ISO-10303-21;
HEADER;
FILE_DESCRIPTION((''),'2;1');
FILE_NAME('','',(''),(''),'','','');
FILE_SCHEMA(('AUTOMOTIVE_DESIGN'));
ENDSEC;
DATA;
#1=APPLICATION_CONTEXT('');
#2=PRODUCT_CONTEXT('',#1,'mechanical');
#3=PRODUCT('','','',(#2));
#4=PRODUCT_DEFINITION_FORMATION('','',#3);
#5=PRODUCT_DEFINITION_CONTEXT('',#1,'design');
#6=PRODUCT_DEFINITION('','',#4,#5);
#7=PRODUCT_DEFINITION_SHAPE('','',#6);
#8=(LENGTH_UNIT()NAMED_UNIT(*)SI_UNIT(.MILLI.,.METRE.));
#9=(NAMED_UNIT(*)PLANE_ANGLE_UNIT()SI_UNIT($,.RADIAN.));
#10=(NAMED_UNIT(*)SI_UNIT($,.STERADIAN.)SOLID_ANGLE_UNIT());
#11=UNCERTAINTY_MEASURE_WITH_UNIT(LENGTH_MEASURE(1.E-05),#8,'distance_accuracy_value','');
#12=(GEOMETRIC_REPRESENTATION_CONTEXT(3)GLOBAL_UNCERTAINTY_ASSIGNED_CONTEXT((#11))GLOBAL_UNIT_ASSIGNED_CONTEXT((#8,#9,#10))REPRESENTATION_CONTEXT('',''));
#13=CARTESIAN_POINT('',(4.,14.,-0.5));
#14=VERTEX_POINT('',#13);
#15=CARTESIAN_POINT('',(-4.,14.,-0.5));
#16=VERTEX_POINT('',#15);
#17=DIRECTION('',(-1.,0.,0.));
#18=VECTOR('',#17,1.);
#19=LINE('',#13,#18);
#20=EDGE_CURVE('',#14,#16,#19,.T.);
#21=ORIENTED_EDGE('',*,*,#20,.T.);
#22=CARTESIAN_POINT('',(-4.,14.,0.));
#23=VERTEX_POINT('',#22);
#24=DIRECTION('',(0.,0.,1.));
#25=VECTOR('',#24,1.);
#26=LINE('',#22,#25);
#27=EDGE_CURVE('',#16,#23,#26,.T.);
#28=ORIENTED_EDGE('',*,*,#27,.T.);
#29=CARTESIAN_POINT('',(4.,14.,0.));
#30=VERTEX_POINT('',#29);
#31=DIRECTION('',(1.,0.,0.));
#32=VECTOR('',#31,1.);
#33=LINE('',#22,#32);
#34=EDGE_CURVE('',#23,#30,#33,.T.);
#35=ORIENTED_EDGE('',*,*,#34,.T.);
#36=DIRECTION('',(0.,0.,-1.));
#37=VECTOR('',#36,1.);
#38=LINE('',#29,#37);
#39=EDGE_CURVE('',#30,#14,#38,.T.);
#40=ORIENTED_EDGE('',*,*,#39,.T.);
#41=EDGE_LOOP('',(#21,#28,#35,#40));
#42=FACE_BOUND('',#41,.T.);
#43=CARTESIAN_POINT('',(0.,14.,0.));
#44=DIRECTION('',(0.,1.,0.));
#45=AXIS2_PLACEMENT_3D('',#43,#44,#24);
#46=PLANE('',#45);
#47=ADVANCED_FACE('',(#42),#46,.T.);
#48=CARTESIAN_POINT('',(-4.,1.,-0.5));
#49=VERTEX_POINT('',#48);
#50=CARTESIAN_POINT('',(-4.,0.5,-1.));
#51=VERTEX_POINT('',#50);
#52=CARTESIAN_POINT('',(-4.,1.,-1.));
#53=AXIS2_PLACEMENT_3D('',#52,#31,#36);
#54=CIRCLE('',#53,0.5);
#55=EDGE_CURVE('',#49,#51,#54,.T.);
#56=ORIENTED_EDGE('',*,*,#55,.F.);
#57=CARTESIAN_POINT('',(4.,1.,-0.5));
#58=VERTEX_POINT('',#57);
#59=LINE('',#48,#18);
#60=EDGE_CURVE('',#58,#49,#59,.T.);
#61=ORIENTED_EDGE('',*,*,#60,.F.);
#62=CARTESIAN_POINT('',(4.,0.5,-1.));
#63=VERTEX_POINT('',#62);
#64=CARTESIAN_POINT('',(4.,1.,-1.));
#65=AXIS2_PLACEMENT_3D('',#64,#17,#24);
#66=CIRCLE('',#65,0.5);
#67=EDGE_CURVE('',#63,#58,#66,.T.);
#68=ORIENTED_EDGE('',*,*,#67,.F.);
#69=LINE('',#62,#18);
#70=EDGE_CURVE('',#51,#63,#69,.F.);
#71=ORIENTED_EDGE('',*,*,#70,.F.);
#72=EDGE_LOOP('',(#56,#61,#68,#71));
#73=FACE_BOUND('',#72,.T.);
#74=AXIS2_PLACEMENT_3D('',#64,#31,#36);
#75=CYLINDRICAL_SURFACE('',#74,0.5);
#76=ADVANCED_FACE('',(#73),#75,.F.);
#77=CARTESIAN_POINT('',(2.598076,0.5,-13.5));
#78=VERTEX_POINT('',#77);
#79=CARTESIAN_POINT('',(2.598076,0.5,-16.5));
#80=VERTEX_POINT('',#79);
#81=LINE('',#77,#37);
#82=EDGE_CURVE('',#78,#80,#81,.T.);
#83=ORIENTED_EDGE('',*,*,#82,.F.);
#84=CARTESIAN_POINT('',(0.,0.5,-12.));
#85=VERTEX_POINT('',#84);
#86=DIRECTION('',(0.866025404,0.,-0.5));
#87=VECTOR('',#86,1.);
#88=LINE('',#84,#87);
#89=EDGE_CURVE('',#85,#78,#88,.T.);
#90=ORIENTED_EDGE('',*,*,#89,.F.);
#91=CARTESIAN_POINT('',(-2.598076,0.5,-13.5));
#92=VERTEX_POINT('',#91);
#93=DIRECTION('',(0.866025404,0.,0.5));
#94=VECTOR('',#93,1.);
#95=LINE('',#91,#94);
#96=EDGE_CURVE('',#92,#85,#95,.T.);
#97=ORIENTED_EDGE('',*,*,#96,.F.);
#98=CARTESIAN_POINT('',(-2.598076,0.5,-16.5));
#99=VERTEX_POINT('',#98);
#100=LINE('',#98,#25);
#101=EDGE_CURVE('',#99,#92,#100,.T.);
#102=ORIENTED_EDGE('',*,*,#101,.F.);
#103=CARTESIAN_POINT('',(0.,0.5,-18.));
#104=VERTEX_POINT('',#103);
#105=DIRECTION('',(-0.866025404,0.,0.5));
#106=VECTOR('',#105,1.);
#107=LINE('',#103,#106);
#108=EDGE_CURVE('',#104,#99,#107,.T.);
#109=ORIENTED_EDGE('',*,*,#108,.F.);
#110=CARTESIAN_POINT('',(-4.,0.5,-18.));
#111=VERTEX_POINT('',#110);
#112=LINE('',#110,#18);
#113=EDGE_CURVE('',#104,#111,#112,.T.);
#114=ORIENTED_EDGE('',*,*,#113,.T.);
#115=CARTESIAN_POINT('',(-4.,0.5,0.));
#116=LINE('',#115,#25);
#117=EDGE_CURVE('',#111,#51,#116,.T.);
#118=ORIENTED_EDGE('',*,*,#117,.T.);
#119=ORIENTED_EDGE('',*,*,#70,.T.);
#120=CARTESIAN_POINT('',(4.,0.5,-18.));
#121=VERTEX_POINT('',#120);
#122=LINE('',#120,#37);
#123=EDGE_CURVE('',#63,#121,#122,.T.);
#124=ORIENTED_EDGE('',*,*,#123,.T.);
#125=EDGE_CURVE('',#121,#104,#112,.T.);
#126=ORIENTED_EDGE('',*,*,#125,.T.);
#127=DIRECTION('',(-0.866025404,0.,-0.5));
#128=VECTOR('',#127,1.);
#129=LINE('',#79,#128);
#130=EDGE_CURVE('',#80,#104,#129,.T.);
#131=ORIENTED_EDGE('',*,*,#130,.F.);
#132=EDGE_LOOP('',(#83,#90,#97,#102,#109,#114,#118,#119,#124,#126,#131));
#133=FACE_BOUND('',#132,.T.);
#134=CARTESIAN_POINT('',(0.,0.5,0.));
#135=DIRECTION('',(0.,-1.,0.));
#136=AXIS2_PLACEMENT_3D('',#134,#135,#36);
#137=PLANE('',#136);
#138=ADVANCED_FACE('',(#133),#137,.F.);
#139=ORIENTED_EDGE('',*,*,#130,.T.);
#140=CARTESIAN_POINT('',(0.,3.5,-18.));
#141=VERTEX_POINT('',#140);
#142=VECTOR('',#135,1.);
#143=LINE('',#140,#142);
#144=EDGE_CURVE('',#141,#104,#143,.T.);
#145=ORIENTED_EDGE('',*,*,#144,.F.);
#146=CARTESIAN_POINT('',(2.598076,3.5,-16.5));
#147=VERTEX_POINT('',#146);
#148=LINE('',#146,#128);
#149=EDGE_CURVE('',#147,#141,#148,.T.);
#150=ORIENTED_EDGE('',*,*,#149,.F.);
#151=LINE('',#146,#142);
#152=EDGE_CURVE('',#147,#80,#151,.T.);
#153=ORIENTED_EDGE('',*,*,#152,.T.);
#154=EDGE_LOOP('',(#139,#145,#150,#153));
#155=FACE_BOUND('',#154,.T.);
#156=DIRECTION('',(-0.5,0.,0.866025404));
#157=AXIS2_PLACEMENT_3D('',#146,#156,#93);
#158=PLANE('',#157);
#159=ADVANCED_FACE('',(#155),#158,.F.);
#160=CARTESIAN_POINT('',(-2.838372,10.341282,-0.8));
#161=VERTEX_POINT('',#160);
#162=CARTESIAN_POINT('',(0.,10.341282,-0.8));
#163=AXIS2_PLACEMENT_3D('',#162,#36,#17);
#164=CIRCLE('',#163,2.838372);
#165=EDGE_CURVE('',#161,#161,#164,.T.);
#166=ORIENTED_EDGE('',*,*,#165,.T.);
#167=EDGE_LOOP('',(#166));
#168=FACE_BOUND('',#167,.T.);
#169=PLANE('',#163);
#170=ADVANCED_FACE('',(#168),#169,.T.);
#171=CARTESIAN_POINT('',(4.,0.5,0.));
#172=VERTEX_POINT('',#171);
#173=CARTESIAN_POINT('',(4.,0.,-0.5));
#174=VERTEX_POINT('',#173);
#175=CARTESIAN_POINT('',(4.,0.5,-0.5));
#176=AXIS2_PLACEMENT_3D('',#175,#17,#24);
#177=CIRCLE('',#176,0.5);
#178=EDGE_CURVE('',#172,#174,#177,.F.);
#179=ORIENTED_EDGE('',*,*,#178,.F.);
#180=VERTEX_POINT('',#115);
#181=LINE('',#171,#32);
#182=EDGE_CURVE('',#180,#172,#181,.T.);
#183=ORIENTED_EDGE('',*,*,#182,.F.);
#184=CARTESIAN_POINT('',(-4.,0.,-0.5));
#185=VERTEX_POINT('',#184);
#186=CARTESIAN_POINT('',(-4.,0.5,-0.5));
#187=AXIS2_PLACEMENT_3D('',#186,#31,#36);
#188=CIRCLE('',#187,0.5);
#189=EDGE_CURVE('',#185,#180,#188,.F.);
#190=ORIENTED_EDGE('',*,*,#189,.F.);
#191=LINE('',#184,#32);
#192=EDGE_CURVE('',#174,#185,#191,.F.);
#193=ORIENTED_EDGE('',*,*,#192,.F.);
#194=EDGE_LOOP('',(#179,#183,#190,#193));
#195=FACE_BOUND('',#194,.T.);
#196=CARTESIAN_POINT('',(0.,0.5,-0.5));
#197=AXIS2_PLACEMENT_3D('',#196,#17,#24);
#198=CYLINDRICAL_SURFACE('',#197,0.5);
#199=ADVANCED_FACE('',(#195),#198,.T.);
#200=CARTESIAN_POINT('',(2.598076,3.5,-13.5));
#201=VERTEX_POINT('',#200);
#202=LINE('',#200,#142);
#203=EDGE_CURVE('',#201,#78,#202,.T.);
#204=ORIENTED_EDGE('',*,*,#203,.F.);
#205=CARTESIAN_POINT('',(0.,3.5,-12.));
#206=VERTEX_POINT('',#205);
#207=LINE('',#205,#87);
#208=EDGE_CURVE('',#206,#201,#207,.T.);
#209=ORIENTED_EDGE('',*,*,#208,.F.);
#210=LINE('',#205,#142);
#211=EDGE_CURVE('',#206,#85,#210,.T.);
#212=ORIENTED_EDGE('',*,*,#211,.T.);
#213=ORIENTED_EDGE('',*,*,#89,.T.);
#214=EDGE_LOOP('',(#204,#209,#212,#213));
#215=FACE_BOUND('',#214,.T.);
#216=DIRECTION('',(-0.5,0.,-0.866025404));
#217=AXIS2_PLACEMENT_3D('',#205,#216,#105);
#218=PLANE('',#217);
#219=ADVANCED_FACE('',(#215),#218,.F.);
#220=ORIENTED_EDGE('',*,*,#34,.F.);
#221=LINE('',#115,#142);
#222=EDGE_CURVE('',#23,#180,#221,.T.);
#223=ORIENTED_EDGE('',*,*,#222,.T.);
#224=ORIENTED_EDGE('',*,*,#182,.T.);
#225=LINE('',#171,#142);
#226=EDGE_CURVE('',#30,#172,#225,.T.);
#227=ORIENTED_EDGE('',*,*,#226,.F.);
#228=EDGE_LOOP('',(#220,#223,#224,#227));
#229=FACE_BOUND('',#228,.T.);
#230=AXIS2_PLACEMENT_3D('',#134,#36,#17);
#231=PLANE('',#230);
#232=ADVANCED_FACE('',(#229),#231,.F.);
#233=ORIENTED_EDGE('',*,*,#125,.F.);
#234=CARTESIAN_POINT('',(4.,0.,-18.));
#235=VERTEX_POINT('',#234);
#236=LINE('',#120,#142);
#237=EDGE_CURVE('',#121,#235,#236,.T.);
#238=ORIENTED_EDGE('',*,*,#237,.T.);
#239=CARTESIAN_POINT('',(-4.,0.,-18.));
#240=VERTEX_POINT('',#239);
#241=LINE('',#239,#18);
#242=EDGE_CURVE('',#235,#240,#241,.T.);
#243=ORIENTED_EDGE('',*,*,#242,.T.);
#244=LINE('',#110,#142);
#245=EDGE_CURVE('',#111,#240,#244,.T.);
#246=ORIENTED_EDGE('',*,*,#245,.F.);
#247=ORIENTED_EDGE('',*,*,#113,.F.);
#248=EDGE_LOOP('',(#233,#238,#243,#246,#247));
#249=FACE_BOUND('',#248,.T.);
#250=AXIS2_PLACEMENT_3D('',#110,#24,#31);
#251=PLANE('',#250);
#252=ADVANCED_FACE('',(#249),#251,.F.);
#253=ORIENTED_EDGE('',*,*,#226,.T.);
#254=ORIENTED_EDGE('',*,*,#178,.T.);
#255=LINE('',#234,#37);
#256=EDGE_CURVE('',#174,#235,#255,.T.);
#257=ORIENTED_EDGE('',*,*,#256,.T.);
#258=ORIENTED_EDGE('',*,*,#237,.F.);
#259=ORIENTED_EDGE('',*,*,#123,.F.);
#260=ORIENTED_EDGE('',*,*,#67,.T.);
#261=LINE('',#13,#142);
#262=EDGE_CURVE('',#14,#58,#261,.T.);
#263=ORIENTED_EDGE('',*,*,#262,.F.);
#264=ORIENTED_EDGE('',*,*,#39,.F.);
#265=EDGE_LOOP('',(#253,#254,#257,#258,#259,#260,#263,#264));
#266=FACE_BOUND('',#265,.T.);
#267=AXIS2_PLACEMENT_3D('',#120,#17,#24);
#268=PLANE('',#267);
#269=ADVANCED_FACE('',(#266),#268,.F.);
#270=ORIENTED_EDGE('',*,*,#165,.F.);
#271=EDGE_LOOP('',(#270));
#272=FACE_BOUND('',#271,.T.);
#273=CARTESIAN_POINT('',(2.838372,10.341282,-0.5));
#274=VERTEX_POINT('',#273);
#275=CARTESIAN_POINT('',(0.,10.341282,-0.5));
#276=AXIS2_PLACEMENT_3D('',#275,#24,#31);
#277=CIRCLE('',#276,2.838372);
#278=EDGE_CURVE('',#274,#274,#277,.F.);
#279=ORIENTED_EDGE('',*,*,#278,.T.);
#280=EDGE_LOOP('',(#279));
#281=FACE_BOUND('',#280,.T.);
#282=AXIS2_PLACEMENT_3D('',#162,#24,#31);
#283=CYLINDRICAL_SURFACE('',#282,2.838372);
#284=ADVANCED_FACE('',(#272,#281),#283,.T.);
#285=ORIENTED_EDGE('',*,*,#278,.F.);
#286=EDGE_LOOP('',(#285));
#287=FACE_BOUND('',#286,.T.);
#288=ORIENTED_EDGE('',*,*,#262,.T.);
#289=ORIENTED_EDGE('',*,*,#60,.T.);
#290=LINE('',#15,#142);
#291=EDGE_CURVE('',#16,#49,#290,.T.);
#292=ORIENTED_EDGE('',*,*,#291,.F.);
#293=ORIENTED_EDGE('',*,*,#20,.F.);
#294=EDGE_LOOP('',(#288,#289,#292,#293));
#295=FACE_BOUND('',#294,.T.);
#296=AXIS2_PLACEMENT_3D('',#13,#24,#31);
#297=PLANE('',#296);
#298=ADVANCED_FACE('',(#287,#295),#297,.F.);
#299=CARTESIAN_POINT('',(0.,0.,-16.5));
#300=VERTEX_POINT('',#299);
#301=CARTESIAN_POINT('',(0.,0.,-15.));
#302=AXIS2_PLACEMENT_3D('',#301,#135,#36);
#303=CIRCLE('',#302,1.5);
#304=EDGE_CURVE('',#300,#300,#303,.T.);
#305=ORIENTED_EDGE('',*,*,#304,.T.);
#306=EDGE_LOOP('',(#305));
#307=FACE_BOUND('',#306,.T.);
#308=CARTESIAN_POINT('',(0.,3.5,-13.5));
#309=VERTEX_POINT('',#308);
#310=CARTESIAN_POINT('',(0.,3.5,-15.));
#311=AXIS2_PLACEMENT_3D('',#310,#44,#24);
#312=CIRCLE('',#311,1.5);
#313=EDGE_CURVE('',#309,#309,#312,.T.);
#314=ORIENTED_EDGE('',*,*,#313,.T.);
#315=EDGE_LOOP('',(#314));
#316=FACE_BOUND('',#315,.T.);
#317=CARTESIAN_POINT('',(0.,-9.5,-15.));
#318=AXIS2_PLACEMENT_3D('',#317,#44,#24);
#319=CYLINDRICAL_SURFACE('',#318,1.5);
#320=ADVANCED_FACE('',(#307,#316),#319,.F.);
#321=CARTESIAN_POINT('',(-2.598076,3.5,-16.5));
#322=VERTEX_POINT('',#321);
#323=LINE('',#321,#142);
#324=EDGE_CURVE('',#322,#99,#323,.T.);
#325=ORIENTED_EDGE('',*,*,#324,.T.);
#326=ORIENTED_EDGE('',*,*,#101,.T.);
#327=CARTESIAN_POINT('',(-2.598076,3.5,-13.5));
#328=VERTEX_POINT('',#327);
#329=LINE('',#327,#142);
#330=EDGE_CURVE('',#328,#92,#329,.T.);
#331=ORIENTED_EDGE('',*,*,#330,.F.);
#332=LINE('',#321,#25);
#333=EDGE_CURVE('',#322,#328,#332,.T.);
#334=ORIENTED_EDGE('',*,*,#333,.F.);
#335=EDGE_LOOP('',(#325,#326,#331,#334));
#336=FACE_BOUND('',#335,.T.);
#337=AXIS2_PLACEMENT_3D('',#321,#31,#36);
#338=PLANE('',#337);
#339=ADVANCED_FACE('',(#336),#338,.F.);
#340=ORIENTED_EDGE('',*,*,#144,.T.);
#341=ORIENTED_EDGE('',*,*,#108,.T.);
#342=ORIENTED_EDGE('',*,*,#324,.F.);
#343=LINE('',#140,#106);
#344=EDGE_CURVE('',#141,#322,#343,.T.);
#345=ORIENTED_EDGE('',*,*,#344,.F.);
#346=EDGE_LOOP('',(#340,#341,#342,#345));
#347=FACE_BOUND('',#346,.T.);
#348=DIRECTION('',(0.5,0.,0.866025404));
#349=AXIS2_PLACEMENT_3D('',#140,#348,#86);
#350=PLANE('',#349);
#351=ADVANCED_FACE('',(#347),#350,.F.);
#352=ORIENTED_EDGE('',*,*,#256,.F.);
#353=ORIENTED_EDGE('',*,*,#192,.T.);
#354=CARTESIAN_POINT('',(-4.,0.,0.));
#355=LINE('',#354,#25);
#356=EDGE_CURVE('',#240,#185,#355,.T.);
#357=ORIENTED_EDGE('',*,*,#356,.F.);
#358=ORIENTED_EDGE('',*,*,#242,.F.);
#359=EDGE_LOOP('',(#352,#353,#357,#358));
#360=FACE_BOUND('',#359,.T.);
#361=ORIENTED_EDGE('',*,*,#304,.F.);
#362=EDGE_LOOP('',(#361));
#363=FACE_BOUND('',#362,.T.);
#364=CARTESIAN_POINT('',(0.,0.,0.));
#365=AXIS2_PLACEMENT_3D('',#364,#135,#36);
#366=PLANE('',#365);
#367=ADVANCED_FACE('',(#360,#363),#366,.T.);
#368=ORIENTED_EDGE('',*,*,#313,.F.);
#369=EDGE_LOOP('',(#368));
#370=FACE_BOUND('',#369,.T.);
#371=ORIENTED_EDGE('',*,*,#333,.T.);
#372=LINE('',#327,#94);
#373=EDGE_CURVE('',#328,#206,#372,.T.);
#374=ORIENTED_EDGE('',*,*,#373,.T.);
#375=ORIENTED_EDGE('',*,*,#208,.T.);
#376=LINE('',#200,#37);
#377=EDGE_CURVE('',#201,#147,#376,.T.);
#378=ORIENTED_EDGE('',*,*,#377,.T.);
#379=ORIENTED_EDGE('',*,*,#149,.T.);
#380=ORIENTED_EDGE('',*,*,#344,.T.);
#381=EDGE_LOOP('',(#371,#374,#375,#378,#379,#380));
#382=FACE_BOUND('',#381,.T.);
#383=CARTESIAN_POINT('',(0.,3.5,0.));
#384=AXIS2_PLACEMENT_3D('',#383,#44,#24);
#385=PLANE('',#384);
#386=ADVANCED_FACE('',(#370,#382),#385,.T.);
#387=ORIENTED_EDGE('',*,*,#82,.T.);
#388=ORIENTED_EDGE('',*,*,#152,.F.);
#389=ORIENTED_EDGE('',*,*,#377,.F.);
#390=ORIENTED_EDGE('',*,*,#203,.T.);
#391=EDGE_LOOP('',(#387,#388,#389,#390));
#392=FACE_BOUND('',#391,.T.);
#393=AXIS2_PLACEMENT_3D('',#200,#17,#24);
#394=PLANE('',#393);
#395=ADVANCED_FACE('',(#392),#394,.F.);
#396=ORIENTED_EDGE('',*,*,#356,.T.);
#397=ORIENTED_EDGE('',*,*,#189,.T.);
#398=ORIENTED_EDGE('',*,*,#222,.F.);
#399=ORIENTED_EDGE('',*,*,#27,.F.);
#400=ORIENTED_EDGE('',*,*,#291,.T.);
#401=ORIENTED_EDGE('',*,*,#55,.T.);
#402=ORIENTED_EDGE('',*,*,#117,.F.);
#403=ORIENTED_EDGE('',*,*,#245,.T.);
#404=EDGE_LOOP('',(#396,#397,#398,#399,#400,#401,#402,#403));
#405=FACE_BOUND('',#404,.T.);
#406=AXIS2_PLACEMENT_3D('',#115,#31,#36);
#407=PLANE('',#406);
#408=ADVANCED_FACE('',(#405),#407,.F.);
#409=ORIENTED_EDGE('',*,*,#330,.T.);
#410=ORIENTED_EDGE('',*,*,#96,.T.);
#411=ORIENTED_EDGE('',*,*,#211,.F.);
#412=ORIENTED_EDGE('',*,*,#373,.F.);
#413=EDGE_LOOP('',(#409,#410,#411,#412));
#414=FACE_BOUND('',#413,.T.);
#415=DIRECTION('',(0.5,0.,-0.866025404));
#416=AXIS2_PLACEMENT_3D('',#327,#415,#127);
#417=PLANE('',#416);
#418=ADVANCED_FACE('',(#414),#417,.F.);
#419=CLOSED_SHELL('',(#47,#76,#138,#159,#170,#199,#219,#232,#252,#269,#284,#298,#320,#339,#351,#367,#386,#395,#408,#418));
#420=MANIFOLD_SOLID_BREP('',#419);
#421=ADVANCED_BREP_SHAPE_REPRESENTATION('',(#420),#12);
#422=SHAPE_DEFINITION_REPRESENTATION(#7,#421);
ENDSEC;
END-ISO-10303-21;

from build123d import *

# Parameters (mm, degrees)
BOSS_EXTRUDE1_DEPTH = 0.5
SKETCH2_W           = 8
SKETCH2_H           = 0.5
BOSS_EXTRUDE2_DEPTH = 14
BOSS_EXTRUDE3_DEPTH = 3
SKETCH4_R           = 1.5
CUT_EXTRUDE1_DEPTH  = 13
FILLET1_R           = 0.5
FILLET2_R           = 0.5
SKETCH5_R           = 2.838371804
BOSS_EXTRUDE4_DEPTH = 0.3


with BuildPart() as part:
    # Sketch1 → Boss-Extrude1 (new body)
    with BuildSketch(Plane(origin=(0, 0, 0), x_dir=(1, 0, 0), z_dir=(0, 1, 0))):
        Polygon((0, 0), (-4, 0), (-4, 18), (4, 18), (4, 0), align=None)
    extrude(amount=BOSS_EXTRUDE1_DEPTH)

    # Sketch2 → Boss-Extrude2 (add)
    with BuildSketch(Plane(origin=(0, 0, 0), x_dir=(1, 0, 0), z_dir=(0, 1, 0))):
        with Locations((0, 0.25)):
            Rectangle(SKETCH2_W, SKETCH2_H)
    extrude(amount=BOSS_EXTRUDE2_DEPTH)

    # Sketch3 → Boss-Extrude3 (add)
    with BuildSketch(Plane(origin=(0, 0.5, 0), x_dir=(1, 0, 0), z_dir=(0, 1, 0))):
        Polygon((0, 18), (-2.598076211, 16.5), (-2.598076211, 13.5), (0, 12), (2.598076211, 13.5), (2.598076211, 16.5), align=None)
    extrude(amount=BOSS_EXTRUDE3_DEPTH)

    # Sketch4 → Cut-Extrude1 (cut)
    with BuildSketch(Plane(origin=(0, 3.5, 0), x_dir=(1, 0, 0), z_dir=(0, 1, 0))):
        with Locations(Location((0, 15, 0), (0, 0, 270))):
            Circle(SKETCH4_R)
    extrude(amount=-CUT_EXTRUDE1_DEPTH, mode=Mode.SUBTRACT)

    # Fillet1
    fillet1_edges = [part.edges().sort_by_distance(p)[0] for p in [
        (0, 0, 0),
    ]]
    fillet(fillet1_edges, radius=FILLET1_R)

    # Fillet2
    fillet2_edges = [part.edges().sort_by_distance(p)[0] for p in [
        (0, 0.5, -0.5),
    ]]
    fillet(fillet2_edges, radius=FILLET2_R)

    # Sketch5 → Boss-Extrude4 (add)
    with BuildSketch(Plane(origin=(0, 0, -0.5), x_dir=(-1, 0, 0), z_dir=(0, 0, -1))):
        with Locations(Location((0, 10.341282462, 0), (0, 0, 180))):
            Circle(SKETCH5_R)
    extrude(amount=BOSS_EXTRUDE4_DEPTH)


solid = part.part
